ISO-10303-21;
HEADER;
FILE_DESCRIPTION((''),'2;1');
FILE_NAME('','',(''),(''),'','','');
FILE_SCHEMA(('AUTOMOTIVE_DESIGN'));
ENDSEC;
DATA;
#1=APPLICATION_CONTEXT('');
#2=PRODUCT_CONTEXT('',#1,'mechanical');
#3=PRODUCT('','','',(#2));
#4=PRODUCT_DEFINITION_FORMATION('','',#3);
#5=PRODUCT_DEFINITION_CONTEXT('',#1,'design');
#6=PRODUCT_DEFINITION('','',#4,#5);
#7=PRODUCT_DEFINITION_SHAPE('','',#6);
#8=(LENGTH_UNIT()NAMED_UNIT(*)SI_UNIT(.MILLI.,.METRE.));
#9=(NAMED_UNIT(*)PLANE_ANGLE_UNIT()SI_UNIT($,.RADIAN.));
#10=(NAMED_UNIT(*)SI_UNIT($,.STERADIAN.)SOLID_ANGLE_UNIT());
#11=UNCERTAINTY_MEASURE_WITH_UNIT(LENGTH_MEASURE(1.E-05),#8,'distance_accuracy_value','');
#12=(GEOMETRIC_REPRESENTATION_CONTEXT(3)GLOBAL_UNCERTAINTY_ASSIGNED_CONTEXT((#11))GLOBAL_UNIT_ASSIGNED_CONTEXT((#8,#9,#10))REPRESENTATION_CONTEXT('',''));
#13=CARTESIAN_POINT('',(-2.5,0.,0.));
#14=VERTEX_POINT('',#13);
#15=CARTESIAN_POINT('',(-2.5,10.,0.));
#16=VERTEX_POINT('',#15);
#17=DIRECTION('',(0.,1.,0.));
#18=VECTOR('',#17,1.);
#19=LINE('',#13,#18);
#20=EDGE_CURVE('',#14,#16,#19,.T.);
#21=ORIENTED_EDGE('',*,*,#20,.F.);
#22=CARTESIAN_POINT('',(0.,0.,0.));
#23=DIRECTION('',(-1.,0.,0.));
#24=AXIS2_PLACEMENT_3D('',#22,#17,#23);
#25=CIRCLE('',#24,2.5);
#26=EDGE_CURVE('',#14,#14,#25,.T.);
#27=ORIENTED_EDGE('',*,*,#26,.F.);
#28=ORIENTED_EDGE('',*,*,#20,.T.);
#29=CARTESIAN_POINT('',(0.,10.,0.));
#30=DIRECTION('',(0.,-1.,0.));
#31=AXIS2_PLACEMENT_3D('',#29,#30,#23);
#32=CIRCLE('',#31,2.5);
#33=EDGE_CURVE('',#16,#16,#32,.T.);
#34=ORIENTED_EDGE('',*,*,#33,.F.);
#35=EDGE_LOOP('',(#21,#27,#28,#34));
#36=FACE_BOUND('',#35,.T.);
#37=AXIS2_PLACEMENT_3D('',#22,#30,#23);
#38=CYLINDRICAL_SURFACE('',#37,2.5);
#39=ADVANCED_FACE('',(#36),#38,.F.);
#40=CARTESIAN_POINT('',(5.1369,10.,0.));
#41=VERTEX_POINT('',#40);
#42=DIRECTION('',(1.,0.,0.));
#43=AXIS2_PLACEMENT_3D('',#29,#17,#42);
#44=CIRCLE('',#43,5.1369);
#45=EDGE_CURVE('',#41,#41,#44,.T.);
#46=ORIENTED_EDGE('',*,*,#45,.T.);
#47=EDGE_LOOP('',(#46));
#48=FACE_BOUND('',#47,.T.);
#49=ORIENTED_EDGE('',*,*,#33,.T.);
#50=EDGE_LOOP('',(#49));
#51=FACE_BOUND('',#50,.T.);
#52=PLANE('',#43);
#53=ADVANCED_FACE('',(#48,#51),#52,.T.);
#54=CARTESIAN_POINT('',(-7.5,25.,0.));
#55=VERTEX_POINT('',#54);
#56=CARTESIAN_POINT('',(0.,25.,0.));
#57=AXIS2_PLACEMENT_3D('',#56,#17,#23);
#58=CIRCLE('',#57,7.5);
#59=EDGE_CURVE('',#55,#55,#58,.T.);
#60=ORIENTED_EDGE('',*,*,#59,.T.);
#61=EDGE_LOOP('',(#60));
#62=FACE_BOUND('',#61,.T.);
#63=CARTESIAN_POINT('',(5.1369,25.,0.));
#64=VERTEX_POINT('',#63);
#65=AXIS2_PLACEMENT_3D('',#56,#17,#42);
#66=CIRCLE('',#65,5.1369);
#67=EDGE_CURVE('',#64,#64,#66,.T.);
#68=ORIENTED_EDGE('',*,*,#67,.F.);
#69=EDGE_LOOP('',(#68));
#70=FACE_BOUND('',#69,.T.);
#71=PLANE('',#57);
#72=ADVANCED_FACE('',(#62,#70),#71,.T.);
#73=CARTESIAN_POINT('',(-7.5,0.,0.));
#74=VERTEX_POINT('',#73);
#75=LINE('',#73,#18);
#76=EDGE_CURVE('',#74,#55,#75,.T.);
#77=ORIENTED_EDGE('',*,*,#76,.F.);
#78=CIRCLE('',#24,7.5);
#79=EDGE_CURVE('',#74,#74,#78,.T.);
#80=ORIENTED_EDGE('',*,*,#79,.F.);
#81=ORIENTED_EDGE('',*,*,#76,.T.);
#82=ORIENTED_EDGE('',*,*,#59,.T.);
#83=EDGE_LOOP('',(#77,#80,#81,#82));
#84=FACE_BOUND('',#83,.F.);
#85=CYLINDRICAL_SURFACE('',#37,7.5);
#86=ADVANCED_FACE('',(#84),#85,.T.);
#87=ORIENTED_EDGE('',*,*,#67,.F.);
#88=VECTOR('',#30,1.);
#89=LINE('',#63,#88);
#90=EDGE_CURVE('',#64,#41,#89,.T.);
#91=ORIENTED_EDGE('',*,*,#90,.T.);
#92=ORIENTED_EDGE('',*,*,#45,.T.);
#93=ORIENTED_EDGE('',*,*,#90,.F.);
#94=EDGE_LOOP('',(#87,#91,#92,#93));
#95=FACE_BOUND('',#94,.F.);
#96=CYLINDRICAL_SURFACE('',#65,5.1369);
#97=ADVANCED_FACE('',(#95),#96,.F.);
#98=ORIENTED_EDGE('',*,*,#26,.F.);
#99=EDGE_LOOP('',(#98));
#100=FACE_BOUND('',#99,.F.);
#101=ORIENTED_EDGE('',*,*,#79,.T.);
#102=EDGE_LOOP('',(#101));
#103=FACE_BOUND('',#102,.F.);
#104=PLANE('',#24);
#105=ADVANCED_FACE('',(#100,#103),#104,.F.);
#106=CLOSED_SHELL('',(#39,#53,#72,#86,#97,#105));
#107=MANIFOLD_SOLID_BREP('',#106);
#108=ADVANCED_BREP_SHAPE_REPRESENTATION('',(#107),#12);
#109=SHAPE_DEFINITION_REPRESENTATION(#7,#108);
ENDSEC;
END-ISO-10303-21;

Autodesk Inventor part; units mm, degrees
ref_plane "YZ Plane" through (0, 0, 0) normal (1, 0, 0) x (0, 1, 0)
ref_plane "XZ Plane" through (0, 0, 0) normal (0, 1, 0) x (-1, 0, 0)
ref_plane "XY Plane" through (0, 0, 0) normal (0, 0, 1) x (1, 0, 0)
sketch "草图1" plane through (0, 0, 0) normal (0, 1, 0) x (-1, 0, 0)
  circle A0 centre (0, 0) radius 7.5
  circle A1 centre (0, 0) radius 2.5
  dimension "d0" = 15
  dimension "d1" = 5
extrude "拉伸1" add sketch "草图1" along normal blind 25
sketch "草图4" plane through (0, 25, 0) normal (0, 1, 0) x (1, 0, 0)
  circle A0 centre (0, 0) radius 5.1369
extrude "拉伸3" cut sketch "草图4" against normal blind 15
properties part number "联轴器"
